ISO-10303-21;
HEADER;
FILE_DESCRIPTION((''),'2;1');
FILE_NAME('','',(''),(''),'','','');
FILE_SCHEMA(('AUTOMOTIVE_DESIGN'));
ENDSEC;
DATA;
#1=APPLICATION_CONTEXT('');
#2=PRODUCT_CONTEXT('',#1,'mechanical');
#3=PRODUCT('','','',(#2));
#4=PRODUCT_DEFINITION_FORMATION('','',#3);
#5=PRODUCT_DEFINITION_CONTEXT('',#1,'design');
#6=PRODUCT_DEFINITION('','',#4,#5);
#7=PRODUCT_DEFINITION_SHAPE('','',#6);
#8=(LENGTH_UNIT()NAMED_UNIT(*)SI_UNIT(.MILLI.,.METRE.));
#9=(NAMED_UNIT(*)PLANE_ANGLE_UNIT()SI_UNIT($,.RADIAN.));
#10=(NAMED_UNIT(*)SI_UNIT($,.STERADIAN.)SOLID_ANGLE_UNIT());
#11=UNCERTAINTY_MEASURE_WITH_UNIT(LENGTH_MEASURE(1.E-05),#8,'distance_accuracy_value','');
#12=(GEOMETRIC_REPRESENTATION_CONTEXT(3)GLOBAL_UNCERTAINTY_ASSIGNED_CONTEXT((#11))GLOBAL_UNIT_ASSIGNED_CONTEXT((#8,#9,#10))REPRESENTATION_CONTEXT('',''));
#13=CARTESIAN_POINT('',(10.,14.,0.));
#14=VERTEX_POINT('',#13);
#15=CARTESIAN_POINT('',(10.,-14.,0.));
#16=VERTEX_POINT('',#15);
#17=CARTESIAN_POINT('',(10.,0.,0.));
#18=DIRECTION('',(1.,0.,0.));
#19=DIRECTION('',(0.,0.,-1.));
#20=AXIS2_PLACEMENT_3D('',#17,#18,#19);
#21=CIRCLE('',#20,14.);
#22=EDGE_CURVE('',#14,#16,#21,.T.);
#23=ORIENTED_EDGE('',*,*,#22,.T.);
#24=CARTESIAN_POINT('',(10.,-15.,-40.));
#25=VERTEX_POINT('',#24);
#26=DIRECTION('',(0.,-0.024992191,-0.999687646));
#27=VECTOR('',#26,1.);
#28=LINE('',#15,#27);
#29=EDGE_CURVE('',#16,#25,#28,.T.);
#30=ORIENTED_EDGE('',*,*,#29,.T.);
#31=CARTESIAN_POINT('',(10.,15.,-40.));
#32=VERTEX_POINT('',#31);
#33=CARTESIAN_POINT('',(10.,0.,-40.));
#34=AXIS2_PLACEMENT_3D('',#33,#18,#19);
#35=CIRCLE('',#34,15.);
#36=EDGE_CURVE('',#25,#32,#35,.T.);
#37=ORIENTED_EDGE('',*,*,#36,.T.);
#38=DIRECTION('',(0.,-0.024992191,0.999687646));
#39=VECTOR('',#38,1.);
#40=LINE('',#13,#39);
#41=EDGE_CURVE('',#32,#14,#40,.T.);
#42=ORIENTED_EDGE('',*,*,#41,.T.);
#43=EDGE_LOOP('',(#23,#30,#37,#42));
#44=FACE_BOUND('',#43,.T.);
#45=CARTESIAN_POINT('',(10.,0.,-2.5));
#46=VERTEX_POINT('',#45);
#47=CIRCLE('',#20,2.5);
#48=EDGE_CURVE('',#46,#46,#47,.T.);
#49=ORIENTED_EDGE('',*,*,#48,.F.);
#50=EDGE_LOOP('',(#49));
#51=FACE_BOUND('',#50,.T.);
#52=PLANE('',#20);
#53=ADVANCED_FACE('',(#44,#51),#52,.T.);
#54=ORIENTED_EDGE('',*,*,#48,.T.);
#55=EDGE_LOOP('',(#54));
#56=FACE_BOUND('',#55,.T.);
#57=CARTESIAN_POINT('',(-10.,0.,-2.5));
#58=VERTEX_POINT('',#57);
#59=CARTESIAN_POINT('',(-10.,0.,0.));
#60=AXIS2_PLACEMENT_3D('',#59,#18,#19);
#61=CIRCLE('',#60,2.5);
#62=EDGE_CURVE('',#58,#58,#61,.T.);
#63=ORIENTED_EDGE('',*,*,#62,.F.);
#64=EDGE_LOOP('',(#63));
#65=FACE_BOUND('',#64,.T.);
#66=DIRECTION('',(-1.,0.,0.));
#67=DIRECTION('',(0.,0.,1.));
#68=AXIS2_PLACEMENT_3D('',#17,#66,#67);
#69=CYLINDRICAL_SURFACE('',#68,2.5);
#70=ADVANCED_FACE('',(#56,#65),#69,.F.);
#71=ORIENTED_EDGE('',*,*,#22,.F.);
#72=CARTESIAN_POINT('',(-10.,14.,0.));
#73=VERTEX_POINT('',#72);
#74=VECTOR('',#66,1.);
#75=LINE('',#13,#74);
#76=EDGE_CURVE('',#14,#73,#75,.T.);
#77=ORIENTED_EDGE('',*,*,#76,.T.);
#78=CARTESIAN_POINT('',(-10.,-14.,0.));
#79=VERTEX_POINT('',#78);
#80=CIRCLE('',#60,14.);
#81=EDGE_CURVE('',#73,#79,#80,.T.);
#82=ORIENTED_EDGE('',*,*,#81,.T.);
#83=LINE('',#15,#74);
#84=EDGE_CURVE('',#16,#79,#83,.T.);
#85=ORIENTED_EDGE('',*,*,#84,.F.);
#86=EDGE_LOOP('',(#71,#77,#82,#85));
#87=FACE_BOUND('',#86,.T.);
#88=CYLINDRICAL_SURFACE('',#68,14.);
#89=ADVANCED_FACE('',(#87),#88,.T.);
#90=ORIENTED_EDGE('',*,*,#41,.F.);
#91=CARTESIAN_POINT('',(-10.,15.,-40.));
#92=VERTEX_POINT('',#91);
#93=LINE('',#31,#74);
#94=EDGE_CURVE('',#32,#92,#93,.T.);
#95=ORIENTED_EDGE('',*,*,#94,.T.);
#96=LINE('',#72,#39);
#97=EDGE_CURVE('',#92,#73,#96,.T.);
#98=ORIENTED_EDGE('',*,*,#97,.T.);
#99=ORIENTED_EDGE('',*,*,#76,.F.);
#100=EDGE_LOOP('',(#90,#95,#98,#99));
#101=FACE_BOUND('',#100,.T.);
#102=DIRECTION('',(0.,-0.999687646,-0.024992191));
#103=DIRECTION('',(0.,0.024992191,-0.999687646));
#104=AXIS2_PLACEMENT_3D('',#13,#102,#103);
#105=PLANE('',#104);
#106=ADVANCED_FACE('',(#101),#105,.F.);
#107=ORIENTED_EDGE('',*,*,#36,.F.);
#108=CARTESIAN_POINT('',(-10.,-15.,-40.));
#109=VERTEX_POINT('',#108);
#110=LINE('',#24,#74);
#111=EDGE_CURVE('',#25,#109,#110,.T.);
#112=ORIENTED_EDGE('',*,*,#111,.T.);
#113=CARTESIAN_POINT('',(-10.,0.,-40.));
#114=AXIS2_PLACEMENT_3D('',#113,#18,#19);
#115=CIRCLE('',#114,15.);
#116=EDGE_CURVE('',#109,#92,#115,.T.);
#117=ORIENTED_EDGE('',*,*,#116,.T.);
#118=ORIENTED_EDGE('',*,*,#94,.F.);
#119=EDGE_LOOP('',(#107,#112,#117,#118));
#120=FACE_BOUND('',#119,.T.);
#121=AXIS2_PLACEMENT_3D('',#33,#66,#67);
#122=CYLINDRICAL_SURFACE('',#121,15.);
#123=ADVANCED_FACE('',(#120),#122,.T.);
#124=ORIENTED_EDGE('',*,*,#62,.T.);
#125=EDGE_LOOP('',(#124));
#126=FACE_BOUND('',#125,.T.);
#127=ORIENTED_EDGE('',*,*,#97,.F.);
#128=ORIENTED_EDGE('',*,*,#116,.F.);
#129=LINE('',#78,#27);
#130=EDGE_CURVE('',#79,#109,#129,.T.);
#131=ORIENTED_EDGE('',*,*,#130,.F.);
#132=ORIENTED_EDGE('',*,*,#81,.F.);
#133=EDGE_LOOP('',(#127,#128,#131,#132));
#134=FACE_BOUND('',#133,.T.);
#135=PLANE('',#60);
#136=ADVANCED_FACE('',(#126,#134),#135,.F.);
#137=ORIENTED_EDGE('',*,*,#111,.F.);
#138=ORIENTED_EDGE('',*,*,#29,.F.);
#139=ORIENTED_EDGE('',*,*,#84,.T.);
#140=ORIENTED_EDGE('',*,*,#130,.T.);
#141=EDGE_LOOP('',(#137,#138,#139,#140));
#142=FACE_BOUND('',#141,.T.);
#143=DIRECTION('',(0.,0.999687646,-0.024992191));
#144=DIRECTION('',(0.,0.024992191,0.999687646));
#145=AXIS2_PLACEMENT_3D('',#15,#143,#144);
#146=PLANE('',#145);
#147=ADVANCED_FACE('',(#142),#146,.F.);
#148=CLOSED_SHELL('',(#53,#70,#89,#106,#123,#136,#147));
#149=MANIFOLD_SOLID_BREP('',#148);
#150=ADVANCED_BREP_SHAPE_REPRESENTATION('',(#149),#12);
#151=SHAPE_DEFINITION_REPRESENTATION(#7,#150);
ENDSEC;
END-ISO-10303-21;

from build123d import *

# Parameters (mm, degrees)
CROQUIS1_R              = 2.5
SALIENTE_EXTRUIR1_DEPTH = 10


with BuildPart() as part:
    # Croquis1 → Saliente-Extruir1 (new, symmetric)
    with BuildSketch(Plane(origin=(0, 0, 0), x_dir=(0, 0, -1), z_dir=(1, 0, 0))):
        with BuildLine():
            Line((0, 14), (40, 15))
            ThreePointArc((40, 15), (55, 0), (40, -15))
            Line((40, -15), (0, -14))
            ThreePointArc((0, -14), (-14, 0), (0, 14))
        make_face()
        Circle(CROQUIS1_R, mode=Mode.SUBTRACT)
    extrude(amount=SALIENTE_EXTRUIR1_DEPTH, both=True)


solid = part.part
